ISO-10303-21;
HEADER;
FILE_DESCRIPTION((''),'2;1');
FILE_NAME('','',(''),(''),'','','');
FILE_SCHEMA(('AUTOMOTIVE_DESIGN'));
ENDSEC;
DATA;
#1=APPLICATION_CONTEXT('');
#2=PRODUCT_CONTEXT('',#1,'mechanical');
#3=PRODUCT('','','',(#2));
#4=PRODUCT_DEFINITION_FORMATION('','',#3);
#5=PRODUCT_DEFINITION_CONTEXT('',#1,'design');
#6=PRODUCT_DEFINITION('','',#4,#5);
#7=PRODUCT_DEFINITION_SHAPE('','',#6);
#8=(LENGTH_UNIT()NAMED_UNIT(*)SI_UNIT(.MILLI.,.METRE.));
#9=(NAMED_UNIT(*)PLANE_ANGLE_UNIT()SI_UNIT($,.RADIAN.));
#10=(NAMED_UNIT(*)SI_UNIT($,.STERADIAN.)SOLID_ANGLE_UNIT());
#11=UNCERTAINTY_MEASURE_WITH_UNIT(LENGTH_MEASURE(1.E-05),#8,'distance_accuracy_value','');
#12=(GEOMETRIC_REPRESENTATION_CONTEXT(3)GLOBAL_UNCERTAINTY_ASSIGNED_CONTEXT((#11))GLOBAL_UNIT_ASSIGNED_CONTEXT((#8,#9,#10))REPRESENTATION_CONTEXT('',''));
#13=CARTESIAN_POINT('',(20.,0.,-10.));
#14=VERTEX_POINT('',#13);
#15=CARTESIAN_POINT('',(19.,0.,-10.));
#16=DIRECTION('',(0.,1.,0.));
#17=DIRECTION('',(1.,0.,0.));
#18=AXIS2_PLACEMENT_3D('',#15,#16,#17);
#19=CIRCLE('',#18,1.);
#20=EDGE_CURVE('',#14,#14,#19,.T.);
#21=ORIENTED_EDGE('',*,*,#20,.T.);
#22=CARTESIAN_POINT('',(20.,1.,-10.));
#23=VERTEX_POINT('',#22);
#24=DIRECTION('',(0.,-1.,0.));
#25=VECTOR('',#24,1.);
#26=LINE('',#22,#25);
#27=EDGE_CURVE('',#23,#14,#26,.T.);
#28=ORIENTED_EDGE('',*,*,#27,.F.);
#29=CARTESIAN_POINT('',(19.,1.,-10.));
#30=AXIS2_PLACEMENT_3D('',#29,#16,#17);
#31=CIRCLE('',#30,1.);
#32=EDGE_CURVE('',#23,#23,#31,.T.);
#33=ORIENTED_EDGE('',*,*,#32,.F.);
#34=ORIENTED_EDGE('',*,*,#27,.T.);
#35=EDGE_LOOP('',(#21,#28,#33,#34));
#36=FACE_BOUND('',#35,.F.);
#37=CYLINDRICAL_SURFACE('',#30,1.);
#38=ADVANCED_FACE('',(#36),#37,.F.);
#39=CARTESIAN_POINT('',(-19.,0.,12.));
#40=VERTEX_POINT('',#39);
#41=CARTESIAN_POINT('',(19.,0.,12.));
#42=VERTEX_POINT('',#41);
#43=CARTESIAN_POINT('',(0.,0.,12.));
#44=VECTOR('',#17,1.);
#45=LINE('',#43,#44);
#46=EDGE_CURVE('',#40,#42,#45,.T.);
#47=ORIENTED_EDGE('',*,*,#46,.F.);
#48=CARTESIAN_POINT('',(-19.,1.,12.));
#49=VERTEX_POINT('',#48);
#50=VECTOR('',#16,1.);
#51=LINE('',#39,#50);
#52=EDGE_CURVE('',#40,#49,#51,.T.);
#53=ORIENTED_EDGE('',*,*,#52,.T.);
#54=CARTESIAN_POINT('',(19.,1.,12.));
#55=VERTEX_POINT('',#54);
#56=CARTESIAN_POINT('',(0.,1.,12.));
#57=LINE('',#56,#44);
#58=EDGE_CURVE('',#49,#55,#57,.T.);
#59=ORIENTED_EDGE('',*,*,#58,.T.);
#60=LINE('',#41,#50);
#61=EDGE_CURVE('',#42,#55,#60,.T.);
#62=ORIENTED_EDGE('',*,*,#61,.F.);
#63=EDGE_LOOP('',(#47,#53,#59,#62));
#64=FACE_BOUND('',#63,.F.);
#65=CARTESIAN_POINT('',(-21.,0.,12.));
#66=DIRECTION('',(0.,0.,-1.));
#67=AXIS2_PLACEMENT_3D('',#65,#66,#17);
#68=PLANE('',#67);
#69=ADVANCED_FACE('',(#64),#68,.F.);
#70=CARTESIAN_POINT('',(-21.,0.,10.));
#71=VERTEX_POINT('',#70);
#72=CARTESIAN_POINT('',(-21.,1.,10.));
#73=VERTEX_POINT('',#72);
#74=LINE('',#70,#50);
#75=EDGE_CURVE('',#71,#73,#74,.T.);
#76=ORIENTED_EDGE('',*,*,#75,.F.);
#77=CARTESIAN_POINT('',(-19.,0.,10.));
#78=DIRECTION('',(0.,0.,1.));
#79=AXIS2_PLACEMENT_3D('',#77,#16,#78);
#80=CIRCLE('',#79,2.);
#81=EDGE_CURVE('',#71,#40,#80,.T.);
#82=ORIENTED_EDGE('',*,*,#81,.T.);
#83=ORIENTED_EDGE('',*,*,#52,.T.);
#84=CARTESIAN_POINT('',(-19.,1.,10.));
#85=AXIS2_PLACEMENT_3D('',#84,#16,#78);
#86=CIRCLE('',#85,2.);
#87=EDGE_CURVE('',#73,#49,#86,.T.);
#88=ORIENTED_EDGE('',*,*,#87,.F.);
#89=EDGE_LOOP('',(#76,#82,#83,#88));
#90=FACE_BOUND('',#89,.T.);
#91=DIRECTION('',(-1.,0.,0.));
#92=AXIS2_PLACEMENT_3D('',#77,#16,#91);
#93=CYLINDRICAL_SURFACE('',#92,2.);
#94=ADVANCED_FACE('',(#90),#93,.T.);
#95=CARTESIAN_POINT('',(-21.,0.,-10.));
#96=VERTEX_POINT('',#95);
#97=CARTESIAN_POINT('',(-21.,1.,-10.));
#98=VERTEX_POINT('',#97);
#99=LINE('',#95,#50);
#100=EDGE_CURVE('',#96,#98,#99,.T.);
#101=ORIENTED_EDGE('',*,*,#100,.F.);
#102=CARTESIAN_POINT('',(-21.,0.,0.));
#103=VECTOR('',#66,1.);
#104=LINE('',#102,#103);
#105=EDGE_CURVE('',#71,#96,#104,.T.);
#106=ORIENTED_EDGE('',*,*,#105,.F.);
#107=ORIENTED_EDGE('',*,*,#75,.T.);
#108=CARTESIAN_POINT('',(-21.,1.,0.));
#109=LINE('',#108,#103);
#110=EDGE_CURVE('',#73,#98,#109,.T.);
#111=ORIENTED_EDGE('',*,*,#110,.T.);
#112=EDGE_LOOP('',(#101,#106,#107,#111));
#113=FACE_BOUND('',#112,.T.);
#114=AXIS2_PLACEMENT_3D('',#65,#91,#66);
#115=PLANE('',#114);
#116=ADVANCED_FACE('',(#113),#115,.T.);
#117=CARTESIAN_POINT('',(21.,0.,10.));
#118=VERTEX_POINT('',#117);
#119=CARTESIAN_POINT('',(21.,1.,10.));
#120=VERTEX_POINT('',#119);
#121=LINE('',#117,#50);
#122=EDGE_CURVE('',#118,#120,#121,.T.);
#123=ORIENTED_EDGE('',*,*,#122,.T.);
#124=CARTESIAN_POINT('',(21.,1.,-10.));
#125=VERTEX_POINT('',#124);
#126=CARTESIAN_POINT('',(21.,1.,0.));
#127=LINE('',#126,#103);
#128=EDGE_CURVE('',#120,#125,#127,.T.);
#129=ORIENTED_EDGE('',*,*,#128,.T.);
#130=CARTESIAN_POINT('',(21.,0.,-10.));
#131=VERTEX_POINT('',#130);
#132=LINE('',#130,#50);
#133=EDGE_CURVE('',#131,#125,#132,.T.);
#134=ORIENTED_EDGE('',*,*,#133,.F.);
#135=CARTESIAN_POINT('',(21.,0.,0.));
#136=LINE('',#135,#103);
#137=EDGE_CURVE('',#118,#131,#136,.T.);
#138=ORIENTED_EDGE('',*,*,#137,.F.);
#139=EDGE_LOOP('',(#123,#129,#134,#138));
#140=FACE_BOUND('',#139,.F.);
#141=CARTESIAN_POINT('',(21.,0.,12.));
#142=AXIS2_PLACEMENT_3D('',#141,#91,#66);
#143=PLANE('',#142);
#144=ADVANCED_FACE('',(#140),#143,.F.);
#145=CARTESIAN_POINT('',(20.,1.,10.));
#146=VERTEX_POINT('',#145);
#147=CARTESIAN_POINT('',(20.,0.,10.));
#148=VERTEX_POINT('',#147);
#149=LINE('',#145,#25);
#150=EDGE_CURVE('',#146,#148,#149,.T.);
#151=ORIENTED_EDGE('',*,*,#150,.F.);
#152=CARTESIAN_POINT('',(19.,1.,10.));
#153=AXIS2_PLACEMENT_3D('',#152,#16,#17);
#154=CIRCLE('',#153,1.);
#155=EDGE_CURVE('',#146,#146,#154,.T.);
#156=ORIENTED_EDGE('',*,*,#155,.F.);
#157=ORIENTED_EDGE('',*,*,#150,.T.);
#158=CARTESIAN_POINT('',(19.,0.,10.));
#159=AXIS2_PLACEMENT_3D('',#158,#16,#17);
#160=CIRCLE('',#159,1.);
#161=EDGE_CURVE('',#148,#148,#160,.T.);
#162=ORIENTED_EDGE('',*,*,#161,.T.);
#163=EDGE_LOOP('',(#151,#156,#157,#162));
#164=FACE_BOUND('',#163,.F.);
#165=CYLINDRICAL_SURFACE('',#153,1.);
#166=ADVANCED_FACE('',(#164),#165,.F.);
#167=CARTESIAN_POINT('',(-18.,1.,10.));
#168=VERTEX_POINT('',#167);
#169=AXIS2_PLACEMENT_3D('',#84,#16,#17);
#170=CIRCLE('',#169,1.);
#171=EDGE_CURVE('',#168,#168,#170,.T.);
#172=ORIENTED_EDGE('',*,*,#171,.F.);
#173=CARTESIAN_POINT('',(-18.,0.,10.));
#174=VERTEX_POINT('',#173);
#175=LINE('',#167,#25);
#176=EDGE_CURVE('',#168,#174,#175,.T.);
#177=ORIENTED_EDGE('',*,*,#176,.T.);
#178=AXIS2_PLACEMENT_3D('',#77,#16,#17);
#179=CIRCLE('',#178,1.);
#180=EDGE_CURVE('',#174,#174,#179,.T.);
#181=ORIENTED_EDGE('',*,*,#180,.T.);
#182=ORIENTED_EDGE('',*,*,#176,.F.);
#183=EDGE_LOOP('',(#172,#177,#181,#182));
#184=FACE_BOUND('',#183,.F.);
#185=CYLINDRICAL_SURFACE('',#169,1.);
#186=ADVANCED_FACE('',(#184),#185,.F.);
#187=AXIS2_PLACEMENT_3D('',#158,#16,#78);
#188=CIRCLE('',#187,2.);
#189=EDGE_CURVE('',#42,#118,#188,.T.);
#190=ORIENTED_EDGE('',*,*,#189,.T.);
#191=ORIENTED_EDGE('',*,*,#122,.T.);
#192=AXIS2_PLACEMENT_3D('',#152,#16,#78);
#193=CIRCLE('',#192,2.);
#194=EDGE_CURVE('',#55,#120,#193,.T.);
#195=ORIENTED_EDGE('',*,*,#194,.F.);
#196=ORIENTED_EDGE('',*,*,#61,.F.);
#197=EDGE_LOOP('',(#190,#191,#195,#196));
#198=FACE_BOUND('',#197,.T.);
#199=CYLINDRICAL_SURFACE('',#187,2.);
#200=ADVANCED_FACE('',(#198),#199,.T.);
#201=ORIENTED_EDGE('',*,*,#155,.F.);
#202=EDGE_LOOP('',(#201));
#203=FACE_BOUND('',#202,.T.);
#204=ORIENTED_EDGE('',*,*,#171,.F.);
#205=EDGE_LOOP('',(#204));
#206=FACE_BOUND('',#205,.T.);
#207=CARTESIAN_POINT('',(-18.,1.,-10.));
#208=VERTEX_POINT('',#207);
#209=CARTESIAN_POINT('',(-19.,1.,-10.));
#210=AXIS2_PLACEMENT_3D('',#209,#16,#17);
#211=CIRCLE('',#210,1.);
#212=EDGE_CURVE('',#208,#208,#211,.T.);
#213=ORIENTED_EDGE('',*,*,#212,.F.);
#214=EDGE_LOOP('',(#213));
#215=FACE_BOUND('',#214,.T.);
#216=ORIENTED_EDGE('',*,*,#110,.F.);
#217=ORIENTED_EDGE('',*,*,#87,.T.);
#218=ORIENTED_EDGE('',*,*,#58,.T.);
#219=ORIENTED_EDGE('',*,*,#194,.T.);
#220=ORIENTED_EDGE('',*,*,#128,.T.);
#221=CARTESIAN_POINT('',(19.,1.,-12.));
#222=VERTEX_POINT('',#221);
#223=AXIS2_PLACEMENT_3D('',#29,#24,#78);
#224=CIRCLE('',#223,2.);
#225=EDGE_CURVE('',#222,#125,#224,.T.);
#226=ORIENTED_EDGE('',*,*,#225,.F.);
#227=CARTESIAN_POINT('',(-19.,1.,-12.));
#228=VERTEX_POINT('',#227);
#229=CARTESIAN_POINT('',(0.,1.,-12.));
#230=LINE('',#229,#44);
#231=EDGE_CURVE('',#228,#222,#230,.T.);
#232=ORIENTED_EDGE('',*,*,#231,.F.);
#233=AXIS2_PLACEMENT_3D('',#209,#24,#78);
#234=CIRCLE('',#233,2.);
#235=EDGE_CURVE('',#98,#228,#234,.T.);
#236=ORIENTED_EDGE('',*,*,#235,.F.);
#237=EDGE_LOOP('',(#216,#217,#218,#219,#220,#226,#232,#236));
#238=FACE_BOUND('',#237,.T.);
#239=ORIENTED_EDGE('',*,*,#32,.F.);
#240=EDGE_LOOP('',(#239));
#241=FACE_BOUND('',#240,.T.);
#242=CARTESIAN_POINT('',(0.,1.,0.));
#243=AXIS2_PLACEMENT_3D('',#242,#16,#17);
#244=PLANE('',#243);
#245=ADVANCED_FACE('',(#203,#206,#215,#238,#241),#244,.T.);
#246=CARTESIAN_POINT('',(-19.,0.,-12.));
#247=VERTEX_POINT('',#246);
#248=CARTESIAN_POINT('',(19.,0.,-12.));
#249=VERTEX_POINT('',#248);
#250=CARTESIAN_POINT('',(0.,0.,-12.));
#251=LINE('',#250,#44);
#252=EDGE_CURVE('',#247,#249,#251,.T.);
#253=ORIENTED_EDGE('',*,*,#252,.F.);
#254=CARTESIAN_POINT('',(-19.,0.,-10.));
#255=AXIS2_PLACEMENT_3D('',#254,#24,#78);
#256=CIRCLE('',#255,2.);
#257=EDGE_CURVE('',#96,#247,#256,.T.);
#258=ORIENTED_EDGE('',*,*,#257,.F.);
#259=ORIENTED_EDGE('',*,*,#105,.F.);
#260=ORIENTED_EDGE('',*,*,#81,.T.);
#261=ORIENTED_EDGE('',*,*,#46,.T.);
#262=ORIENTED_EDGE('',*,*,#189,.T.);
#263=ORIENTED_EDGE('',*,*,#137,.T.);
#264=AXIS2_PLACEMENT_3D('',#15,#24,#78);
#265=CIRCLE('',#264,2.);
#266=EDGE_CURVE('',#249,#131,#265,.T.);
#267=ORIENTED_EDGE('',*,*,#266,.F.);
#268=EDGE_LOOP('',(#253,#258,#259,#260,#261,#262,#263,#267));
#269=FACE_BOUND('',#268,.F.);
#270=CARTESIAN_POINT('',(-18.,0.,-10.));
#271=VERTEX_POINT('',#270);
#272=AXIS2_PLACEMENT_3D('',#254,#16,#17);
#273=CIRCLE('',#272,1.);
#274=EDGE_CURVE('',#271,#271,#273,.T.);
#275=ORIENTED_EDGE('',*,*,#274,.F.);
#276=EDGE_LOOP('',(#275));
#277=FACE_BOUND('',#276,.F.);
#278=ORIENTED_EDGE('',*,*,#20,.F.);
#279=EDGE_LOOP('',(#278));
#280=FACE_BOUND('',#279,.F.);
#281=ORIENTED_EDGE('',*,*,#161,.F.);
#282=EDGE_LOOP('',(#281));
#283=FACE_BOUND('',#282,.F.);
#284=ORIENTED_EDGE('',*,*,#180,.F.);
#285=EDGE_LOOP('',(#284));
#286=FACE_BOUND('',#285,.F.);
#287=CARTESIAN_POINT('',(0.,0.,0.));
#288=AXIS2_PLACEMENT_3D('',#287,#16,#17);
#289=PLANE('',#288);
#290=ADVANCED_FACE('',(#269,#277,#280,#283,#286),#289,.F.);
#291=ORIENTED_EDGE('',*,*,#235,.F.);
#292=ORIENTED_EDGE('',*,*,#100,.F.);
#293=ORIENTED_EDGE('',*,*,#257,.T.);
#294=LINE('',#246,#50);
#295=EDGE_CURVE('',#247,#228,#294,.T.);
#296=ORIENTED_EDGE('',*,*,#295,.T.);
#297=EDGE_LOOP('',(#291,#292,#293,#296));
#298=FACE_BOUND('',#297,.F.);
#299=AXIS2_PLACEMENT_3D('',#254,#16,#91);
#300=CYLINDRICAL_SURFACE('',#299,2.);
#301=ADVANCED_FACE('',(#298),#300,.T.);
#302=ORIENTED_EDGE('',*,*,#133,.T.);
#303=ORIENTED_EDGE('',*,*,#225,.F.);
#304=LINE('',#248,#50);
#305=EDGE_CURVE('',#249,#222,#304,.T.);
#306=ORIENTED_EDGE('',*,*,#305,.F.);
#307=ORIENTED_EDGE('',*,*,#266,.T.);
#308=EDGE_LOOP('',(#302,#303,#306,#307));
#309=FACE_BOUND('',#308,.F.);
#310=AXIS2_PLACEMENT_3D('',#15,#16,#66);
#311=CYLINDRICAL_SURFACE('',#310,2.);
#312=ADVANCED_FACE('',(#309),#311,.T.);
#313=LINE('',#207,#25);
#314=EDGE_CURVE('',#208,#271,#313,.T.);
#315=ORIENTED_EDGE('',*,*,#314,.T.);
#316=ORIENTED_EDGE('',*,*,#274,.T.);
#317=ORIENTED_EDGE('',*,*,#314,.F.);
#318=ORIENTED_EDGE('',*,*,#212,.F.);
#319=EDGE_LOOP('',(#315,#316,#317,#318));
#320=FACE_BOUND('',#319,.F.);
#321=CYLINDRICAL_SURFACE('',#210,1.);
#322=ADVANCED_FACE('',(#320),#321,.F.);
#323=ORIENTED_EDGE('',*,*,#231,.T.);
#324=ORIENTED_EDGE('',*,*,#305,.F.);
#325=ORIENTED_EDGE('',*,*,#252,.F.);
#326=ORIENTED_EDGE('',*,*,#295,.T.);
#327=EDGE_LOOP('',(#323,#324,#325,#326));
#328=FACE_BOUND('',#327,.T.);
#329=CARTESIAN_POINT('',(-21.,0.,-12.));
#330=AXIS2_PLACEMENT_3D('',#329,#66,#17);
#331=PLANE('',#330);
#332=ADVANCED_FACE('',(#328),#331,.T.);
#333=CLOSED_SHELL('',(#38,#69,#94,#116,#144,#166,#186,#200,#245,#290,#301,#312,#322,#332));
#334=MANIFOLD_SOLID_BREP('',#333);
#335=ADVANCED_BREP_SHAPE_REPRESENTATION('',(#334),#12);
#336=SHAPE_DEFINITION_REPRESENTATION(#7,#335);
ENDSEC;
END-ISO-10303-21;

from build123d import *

# Parameters (mm, degrees)
SKETCH1_W           = 42
SKETCH1_H           = 24
BOSS_EXTRUDE1_DEPTH = 1
SKETCH2_R           = 1
CUT_EXTRUDE1_DEPTH  = 2
FILLET1_R           = 2


with BuildPart() as part:
    # Sketch1 → Boss-Extrude1 (new body)
    with BuildSketch(Plane(origin=(0, 0, 0), x_dir=(1, 0, 0), z_dir=(0, 1, 0))):
        Rectangle(SKETCH1_W, SKETCH1_H)
    extrude(amount=BOSS_EXTRUDE1_DEPTH)

    # Sketch2 → Cut-Extrude1 (cut, through all)
    with BuildSketch(Plane(origin=(0, 1, 0), x_dir=(1, 0, 0), z_dir=(0, 1, 0))):
        with Locations((-19, 10)):
            Circle(SKETCH2_R)
        with Locations((-19, -10)):
            Circle(SKETCH2_R)
        with Locations((19, -10)):
            Circle(SKETCH2_R)
        with Locations((19, 10)):
            Circle(SKETCH2_R)
    extrude(amount=-CUT_EXTRUDE1_DEPTH, mode=Mode.SUBTRACT)

    # Fillet1
    fillet1_edges = [part.edges().sort_by_distance(p)[0] for p in [
        (21, 0.5, 12),
        (-21, 0.5, 12),
        (-21, 0.5, -12),
        (21, 0.5, -12),
    ]]
    fillet(fillet1_edges, radius=FILLET1_R)


solid = part.part
